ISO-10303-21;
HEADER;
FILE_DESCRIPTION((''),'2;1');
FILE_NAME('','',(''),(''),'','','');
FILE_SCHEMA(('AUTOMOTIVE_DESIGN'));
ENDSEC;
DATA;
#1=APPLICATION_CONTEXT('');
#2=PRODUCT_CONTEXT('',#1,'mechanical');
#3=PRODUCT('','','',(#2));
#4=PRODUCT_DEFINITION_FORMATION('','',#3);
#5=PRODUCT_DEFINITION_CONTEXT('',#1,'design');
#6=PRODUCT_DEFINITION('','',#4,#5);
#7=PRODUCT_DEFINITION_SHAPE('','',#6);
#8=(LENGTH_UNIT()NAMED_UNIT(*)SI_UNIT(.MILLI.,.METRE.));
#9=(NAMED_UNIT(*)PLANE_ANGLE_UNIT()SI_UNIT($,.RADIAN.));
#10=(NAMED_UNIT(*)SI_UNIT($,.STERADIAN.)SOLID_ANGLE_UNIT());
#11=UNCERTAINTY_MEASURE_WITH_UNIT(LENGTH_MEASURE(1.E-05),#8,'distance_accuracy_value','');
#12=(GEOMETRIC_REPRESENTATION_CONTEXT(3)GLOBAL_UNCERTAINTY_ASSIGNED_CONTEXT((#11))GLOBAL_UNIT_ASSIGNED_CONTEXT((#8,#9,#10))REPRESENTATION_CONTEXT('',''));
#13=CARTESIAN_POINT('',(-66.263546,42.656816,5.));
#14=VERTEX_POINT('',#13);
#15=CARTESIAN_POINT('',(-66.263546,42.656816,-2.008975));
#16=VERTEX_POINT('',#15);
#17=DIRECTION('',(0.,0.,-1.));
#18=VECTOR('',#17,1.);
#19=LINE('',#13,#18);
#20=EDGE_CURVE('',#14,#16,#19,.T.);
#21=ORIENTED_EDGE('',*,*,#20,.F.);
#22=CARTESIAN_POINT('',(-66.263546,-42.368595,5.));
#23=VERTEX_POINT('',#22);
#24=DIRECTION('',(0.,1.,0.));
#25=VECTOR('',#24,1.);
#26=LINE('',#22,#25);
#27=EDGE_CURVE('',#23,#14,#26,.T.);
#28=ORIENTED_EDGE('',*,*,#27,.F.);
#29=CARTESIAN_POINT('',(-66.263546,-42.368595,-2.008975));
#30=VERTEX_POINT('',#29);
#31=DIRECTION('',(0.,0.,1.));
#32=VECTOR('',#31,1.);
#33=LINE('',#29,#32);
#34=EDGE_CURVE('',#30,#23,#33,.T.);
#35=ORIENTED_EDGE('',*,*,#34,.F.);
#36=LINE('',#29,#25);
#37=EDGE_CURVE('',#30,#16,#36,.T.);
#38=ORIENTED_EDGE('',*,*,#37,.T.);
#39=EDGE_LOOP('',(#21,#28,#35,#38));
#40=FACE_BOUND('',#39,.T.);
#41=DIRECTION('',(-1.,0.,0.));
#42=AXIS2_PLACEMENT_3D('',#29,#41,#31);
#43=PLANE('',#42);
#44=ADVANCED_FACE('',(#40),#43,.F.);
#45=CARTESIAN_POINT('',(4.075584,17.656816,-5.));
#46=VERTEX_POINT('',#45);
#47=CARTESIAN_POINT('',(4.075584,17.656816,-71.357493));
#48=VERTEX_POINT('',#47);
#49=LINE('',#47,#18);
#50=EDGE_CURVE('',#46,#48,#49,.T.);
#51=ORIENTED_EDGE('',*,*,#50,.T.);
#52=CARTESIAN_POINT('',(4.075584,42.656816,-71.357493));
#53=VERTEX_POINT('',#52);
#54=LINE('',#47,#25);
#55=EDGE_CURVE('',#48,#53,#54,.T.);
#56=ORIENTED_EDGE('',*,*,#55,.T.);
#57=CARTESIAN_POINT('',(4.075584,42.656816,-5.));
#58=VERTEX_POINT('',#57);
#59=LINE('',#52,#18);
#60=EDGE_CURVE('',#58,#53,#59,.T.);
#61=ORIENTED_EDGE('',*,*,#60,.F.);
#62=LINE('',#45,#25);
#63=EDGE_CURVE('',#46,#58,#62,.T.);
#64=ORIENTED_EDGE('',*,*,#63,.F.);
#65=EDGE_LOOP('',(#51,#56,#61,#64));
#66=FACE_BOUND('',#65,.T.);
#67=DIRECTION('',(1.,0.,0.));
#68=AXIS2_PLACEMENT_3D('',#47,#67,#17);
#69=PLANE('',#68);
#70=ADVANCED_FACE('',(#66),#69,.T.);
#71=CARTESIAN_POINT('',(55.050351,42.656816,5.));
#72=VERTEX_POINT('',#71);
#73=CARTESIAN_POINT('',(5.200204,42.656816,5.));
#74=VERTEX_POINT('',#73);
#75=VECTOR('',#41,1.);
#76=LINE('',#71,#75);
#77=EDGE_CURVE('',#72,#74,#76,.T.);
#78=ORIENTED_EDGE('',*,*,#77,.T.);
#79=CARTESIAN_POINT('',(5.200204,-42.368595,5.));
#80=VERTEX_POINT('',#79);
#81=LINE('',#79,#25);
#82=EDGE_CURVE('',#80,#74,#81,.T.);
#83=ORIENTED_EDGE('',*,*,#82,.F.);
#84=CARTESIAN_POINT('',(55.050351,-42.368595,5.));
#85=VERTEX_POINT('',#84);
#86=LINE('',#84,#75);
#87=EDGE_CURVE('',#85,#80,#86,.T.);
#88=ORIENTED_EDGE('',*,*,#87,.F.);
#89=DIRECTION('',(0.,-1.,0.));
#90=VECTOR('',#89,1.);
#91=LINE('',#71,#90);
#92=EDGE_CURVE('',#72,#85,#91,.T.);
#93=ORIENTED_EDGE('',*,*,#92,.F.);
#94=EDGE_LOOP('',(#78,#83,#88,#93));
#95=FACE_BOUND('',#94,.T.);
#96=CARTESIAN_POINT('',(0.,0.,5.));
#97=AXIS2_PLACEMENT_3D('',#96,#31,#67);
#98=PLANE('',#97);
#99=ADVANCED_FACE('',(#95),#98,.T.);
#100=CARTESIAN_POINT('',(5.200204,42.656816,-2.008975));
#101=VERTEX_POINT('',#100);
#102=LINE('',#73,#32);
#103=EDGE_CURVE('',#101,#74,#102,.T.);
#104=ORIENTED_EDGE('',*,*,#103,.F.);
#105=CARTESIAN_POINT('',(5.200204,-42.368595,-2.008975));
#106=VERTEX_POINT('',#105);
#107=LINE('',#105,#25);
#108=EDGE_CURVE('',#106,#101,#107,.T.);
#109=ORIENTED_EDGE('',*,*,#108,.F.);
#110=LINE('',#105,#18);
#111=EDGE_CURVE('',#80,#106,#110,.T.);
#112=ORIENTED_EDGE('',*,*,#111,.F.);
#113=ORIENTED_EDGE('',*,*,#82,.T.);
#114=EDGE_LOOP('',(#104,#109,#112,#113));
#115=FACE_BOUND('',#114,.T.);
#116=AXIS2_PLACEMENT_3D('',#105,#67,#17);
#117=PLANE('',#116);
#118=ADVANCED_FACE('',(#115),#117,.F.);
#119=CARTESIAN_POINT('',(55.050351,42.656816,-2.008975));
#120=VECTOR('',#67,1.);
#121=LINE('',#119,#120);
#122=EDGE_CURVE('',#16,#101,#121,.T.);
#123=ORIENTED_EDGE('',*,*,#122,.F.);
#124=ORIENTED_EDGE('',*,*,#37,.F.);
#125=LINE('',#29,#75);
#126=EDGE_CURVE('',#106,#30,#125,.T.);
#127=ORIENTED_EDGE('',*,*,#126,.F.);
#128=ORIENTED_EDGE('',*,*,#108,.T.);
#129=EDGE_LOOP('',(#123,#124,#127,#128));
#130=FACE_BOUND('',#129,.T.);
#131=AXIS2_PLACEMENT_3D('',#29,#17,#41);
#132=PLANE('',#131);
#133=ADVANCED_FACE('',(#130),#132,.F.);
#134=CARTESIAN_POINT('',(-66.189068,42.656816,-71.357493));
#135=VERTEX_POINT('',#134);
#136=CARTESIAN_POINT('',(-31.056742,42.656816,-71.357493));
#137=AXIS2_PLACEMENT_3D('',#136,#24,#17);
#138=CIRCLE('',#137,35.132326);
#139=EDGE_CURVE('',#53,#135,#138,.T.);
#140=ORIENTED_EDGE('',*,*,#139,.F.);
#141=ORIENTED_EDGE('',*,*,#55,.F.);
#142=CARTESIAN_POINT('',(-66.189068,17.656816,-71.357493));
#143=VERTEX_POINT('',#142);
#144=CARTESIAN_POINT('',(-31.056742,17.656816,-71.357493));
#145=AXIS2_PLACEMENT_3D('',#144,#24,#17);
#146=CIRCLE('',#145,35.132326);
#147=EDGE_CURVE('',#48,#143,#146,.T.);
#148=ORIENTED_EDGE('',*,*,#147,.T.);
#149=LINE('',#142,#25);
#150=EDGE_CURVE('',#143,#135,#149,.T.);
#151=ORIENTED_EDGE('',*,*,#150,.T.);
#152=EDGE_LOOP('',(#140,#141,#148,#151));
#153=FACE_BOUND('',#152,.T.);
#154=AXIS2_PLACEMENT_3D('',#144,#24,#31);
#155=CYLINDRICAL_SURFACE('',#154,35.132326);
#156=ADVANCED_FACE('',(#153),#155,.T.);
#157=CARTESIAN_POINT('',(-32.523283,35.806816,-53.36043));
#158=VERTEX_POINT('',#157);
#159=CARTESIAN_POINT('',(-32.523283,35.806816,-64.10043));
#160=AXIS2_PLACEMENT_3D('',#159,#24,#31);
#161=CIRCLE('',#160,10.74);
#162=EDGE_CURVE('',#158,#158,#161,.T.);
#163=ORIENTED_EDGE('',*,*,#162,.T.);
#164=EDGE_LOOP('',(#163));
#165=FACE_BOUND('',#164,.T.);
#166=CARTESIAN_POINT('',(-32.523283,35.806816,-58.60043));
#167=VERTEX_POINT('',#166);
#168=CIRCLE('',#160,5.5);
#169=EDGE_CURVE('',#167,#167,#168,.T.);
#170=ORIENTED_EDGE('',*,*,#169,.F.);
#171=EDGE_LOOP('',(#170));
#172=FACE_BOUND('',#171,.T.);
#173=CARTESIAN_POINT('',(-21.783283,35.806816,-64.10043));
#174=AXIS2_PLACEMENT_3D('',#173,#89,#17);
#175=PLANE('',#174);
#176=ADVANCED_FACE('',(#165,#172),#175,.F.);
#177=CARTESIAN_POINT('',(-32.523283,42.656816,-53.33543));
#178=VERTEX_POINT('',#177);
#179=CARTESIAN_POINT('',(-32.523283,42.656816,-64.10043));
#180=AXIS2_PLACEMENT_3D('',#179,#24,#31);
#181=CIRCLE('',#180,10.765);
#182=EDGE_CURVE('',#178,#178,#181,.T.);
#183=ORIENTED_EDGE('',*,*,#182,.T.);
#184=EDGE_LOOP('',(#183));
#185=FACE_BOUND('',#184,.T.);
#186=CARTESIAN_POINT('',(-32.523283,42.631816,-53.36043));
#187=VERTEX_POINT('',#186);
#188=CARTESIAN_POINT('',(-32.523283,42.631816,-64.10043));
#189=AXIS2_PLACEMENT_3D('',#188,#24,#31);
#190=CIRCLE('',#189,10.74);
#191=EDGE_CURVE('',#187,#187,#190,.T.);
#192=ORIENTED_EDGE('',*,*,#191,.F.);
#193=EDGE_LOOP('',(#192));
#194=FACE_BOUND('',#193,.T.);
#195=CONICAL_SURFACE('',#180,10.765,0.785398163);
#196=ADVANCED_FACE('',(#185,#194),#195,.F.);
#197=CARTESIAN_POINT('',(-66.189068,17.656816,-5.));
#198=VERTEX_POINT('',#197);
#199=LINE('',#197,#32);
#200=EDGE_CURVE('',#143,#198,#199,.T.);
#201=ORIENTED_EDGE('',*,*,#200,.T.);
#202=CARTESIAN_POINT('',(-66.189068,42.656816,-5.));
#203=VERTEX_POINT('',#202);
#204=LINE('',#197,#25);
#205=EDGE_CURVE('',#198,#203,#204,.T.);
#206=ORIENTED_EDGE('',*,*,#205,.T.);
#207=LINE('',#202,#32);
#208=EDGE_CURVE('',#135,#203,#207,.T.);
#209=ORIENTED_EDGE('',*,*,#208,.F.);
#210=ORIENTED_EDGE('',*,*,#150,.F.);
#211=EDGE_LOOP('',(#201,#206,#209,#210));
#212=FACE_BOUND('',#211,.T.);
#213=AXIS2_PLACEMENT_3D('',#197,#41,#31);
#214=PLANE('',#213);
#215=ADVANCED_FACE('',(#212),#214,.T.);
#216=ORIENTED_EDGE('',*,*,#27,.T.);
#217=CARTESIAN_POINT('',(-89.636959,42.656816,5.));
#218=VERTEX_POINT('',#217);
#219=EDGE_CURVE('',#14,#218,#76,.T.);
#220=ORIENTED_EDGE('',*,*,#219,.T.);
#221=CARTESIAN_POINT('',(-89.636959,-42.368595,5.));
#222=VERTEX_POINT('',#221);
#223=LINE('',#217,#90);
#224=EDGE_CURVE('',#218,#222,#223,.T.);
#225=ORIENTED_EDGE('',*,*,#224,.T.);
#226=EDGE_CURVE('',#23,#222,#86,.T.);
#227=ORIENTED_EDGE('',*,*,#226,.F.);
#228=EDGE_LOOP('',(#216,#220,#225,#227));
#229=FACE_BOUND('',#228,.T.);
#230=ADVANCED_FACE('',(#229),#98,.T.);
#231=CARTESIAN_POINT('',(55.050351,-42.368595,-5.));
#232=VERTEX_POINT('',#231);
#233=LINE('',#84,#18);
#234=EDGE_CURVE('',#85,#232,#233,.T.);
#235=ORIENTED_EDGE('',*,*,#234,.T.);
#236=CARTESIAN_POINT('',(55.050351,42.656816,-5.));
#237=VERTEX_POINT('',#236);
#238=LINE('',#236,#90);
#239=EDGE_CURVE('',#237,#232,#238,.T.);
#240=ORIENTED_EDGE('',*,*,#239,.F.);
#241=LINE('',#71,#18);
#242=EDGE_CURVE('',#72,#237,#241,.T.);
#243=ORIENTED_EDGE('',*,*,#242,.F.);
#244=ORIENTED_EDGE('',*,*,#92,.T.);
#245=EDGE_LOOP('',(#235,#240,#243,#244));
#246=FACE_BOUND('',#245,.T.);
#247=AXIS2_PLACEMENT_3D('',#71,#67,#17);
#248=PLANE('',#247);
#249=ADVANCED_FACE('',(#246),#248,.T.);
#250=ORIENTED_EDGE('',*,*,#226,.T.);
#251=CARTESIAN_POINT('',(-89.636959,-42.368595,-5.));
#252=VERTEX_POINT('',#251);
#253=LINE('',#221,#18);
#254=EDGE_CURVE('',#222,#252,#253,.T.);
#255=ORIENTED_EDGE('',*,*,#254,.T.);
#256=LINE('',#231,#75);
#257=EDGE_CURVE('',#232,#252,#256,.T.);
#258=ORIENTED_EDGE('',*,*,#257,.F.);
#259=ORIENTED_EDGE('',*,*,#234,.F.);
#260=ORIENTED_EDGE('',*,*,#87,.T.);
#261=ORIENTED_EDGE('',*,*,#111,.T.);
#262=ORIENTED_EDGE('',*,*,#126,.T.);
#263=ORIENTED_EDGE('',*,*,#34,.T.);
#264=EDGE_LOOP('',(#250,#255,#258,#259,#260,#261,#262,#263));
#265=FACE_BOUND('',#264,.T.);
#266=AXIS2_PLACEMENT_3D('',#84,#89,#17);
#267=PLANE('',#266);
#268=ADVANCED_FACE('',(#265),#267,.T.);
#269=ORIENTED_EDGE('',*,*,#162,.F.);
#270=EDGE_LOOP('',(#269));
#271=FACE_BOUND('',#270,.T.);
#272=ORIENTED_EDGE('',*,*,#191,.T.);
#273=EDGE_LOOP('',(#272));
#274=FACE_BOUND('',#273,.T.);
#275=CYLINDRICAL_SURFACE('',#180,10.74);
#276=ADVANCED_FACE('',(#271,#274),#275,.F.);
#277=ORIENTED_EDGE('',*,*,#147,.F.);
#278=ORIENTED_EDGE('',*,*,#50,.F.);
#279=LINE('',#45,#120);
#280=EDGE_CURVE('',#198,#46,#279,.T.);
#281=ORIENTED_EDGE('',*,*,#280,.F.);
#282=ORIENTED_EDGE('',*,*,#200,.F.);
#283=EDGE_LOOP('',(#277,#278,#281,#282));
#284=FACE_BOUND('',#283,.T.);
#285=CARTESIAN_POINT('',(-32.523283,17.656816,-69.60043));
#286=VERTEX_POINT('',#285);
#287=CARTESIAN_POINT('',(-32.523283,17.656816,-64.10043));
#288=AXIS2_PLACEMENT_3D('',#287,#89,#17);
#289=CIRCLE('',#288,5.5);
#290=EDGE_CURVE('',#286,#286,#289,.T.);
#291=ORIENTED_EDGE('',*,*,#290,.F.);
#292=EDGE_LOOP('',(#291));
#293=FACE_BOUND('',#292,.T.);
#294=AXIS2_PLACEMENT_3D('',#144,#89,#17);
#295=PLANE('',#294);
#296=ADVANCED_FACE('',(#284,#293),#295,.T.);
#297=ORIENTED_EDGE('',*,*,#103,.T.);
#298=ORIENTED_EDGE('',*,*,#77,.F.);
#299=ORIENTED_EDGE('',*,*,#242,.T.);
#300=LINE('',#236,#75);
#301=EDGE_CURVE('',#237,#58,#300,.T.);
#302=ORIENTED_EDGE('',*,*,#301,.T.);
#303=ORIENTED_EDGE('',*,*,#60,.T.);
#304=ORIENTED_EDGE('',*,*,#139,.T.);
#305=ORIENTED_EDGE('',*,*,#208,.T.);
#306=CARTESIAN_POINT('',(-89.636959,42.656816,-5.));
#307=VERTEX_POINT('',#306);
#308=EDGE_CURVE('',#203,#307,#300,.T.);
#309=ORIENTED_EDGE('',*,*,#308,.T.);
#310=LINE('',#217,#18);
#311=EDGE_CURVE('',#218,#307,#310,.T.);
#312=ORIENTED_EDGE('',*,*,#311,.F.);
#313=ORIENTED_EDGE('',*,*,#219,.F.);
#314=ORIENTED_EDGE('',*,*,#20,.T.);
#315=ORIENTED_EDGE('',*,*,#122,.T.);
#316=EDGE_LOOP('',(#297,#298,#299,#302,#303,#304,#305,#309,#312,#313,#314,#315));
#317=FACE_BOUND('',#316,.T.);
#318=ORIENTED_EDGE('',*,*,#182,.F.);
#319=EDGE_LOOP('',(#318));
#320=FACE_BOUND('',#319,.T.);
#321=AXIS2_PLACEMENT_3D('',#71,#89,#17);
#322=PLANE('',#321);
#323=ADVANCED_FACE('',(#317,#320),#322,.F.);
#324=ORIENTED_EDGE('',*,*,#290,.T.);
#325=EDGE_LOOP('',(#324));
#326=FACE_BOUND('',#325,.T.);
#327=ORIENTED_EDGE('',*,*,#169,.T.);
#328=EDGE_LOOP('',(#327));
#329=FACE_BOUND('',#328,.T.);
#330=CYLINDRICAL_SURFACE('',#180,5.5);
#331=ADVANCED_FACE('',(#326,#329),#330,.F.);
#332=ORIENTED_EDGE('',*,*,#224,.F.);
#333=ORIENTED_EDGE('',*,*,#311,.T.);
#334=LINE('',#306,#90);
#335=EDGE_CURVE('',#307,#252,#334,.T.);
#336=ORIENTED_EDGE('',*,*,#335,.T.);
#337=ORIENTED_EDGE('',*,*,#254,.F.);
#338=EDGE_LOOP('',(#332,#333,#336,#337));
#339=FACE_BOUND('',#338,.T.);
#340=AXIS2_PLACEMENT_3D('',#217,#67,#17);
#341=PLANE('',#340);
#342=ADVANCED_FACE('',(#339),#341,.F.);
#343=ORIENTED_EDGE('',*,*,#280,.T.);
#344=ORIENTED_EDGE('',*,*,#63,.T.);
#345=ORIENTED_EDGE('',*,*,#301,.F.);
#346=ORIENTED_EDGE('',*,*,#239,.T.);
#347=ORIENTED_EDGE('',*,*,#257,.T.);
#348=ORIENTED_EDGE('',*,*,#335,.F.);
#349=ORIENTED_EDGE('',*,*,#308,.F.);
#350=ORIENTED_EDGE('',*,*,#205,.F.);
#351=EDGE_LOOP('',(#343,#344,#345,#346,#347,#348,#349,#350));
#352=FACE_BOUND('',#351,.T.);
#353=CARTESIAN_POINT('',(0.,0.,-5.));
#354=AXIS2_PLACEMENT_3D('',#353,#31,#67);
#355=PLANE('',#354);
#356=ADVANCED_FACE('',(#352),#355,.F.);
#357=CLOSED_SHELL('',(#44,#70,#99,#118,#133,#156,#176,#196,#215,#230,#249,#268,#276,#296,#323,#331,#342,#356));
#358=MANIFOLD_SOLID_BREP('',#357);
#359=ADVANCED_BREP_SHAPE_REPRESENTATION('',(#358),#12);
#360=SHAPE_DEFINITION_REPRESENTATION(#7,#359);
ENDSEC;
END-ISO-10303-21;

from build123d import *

# Parameters (mm, degrees)
ESBO_O2_W                   = 144.687309412
ESBO_O2_H                   = 85.02541091
RESSALTO_EXTRUS_O2_DEPTH    = 5
RESSALTO_EXTRUS_O7_DEPTH    = 25
CORTE_EXTRUS_O11_DEPTH      = 164.107898205
CORTE_EXTRUS_O11_DEPTH_BACK = 164.107898205
ESBO_O16_W                  = 71.463749888
ESBO_O16_H                  = 7.00897528


with BuildPart() as part:
    # Esboço2 → Ressalto-extrusão2 (new, symmetric)
    with BuildSketch(Plane.XY):
        with Locations((-17.293303914, 0.144110866)):
            Rectangle(ESBO_O2_W, ESBO_O2_H)
    extrude(amount=RESSALTO_EXTRUS_O2_DEPTH, both=True)

    # Esboço4 → Ressalto-extrusão7 (add)
    with BuildSketch(Plane(origin=(0, 42.656816321, 0), x_dir=(1, 0, 0), z_dir=(0, 1, 0))):
        with BuildLine():
            Line((-66.189068435, 5), (-66.189068435, 71.35749318))
            ThreePointArc((-66.189068435, 71.35749318), (-31.056742356, 106.489819259), (4.075583724, 71.35749318))
            Line((4.075583724, 71.35749318), (4.075583724, 5))
            Line((4.075583724, 5), (-66.189068435, 5))
        make_face()
    extrude(amount=-RESSALTO_EXTRUS_O7_DEPTH)

    # Esboço13 → Rebaixo para parafuso de cabeça sextavada de M101 (revolve, cut)
    with BuildSketch(Plane(origin=(-32.523283398, 42.656816321, -64.100430101), x_dir=(0, 0, 1), z_dir=(1, 0, 0))):
        Polygon((0, 0), (0, 85.025410909), (5.5, 85.025410909), (5.5, 6.85), (10.74, 6.85), (10.74, 0.025), (10.765, 0), align=None)
    revolve(axis=Axis((-32.523283398, 49.006816321, -64.100430101), (0, -1, 0)), mode=Mode.SUBTRACT)

    # Esboço16 → Corte-extrusão11 (cut, two sides: drawn at the far end of the back side and taken through both)
    with BuildSketch(Plane(origin=(0, 42.656816321, 0), x_dir=(1, 0, 0), z_dir=(0, 1, 0)).offset(-CORTE_EXTRUS_O11_DEPTH_BACK)):
        with Locations((-30.531670696, -1.49551236)):
            Rectangle(ESBO_O16_W, ESBO_O16_H)
    extrude(amount=CORTE_EXTRUS_O11_DEPTH + CORTE_EXTRUS_O11_DEPTH_BACK, mode=Mode.SUBTRACT)


solid = part.part
